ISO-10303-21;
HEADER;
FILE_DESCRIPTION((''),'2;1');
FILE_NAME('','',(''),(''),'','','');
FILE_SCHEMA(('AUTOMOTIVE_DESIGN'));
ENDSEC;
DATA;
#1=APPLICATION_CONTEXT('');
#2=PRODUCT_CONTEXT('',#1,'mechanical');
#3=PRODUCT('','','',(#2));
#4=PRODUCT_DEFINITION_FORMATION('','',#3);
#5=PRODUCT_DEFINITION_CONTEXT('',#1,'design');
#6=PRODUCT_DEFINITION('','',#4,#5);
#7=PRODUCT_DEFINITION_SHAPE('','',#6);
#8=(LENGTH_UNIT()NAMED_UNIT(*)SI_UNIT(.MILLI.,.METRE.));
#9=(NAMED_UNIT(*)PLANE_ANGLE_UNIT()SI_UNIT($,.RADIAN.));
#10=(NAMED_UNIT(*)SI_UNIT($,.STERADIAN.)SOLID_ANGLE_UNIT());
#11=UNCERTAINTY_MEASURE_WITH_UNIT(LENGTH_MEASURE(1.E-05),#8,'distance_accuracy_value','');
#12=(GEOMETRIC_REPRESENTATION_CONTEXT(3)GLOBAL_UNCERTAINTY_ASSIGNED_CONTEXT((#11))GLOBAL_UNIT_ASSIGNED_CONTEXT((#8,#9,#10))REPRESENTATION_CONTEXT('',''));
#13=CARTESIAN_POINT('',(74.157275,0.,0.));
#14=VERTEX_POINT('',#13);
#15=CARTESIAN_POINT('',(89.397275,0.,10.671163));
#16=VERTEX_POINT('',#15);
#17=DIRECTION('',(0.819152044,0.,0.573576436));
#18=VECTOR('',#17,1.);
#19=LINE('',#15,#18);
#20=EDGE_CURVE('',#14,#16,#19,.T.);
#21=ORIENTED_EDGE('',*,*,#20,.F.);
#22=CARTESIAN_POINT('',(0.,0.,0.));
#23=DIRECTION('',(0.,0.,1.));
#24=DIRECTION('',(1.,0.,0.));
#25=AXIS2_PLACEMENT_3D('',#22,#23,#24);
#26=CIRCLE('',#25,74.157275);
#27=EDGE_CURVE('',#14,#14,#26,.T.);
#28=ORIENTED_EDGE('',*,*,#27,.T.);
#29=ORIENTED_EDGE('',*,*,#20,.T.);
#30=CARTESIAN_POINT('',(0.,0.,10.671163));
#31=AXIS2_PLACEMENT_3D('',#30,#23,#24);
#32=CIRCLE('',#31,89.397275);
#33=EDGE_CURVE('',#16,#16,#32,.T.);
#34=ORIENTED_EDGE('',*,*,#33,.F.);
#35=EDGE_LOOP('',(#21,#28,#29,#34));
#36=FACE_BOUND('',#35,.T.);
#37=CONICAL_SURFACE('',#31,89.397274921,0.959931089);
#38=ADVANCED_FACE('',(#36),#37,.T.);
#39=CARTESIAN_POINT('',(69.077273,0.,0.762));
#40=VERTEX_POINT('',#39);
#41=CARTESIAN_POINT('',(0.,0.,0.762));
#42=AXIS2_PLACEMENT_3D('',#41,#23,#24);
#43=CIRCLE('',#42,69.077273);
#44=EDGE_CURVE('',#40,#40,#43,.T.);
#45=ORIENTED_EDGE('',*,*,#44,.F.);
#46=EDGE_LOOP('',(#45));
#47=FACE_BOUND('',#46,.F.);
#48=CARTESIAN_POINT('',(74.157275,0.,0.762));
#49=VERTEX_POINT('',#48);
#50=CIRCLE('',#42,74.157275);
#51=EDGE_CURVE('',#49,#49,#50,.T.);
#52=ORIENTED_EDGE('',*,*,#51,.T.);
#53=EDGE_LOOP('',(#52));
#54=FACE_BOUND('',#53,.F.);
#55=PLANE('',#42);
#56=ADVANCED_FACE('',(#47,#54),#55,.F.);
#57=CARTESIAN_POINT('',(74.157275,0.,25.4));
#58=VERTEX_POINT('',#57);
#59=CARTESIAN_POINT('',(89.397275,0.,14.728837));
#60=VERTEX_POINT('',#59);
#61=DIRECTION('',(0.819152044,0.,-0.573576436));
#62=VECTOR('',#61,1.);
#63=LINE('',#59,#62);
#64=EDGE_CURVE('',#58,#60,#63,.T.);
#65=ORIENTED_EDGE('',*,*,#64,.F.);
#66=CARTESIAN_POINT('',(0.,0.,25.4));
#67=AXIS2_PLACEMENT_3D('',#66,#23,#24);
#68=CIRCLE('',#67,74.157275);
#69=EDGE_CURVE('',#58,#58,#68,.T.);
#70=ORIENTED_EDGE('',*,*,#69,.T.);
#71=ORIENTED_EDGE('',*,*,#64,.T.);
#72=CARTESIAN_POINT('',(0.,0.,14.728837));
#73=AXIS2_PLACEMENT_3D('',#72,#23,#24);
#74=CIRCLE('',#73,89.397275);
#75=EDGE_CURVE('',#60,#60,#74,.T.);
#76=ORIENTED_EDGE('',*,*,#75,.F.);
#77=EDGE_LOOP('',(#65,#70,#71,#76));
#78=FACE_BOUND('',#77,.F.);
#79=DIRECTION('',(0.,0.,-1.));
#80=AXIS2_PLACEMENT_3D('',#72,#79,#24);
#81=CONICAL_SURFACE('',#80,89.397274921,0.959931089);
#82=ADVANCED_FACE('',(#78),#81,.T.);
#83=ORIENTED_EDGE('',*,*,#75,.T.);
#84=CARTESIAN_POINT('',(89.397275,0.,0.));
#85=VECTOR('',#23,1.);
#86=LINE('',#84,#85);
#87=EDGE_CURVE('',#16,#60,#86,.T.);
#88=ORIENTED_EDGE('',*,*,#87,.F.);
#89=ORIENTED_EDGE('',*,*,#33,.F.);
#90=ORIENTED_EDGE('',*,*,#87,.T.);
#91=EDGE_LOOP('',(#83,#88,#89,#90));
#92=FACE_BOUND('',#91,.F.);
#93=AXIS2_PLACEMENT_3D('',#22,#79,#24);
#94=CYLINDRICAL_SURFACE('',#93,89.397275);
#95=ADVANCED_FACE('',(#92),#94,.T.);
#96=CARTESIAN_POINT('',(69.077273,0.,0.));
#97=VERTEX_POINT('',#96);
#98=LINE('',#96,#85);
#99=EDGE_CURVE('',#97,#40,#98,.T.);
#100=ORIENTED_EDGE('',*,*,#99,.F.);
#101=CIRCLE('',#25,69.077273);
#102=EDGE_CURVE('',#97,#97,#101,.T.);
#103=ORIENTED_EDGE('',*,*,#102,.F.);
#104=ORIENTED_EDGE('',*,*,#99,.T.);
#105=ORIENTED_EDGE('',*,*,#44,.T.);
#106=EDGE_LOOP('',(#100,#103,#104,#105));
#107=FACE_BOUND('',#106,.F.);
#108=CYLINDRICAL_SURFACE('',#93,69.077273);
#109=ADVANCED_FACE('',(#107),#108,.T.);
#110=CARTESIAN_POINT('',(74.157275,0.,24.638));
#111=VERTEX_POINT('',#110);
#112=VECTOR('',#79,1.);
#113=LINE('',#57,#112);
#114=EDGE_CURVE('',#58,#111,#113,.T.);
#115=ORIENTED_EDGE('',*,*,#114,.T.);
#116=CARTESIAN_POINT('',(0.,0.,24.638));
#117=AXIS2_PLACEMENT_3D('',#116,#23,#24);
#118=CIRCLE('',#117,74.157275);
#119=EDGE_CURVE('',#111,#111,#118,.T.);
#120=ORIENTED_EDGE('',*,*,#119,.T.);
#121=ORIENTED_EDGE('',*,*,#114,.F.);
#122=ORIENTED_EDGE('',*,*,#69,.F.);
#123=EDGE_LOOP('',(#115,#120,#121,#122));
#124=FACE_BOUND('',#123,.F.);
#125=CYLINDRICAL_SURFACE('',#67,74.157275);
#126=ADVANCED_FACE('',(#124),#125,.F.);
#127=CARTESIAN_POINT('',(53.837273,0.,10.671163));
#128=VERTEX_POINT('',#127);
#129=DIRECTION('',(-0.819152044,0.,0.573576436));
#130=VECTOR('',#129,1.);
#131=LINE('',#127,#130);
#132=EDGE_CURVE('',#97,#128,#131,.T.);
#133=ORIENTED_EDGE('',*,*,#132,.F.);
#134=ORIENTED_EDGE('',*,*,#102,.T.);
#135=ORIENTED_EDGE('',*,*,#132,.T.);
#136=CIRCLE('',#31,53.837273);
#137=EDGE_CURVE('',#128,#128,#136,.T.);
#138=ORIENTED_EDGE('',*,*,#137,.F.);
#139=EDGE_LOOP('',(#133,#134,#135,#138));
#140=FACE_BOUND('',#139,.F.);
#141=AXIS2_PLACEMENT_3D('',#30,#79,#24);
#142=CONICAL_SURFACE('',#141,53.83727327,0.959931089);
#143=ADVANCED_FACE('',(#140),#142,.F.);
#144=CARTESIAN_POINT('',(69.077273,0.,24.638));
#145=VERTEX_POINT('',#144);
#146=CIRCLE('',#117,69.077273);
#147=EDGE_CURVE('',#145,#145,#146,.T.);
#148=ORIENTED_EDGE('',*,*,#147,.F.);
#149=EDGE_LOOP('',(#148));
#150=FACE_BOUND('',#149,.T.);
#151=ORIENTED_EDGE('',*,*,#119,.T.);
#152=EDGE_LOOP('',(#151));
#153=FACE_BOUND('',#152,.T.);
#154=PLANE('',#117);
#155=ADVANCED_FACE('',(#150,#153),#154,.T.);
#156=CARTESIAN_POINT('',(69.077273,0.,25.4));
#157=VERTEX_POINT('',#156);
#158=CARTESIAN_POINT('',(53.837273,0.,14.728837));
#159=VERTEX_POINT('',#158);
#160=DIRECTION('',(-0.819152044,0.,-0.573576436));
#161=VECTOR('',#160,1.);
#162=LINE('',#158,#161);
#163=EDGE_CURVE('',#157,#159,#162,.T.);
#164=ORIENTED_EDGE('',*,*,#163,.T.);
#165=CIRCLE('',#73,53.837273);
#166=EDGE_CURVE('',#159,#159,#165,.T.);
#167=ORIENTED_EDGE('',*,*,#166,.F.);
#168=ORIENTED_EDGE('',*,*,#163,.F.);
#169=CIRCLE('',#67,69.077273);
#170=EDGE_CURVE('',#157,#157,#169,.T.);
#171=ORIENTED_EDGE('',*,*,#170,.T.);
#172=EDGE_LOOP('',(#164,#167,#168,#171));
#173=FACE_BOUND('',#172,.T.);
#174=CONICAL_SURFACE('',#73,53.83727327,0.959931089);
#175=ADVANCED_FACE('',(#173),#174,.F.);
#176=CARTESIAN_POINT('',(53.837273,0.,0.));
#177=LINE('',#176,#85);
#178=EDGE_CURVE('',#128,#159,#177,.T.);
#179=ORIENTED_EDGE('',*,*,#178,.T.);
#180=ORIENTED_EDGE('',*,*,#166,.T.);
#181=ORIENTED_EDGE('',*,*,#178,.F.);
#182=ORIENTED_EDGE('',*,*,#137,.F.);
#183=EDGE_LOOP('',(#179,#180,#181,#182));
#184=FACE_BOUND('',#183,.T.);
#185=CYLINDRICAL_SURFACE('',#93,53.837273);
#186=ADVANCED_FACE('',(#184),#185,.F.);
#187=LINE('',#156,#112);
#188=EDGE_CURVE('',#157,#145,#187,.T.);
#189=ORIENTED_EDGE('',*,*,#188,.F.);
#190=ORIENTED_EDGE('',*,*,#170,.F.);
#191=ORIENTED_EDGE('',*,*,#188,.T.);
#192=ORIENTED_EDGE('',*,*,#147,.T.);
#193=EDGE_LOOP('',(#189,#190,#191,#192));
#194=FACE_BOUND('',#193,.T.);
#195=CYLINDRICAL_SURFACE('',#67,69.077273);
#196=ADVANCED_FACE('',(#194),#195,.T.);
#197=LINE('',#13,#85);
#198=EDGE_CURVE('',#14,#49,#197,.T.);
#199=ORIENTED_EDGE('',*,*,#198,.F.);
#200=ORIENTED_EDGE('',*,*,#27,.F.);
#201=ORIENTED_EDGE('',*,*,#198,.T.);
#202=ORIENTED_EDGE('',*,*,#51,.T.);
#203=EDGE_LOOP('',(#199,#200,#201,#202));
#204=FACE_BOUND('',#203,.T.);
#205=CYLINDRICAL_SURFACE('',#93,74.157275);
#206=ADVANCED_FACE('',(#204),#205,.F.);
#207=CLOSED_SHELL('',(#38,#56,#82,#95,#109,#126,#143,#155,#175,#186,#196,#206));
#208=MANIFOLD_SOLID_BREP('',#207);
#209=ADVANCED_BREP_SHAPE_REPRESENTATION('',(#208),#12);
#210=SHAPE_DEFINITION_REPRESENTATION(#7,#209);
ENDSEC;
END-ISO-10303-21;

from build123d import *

# Parameters (mm, degrees)
F0_R       = 89.3972749213
F0_R_2     = 53.8372732699
F1_DEPTH   = 25.4
F2_SIZE2   = 10.6711628823
F2_SIZE    = 15.24
F2_2_SIZE2 = 10.6711628823
F2_2_SIZE  = 15.24
F3_DEPTH   = 0.762
F4_DEPTH   = 0.762


with BuildPart() as f1:
    # F0 (on Top) → F1 (new body)
    with BuildSketch(Plane.XY):
        Circle(F0_R)
        Circle(F0_R_2, mode=Mode.SUBTRACT)
    extrude(amount=F1_DEPTH)

    # F2
    f2_edges = [f1.edges().sort_by_distance(p)[0] for p in [
        (-89.397275, 0, 25.4),
        (-53.837273, 0, 25.4),
    ]]
    f2_side = f1.faces().sort_by_distance((-86.868738, 0, 25.4))[0]
    chamfer(f2_edges, length=F2_SIZE, length2=F2_SIZE2, reference=f2_side)

    # F2#2
    f2_2_edges = [f1.edges().sort_by_distance(p)[0] for p in [
        (-89.397275, 0, 0),
        (-53.837273, 0, 0),
    ]]
    f2_2_side = f1.faces().sort_by_distance((-86.868738, 0, 0))[0]
    chamfer(f2_2_edges, length=F2_2_SIZE, length2=F2_2_SIZE2, reference=f2_2_side)

    # F3 (cut): faces of the model
    f3_faces = [f1.faces().sort_by_distance(p)[0] for p in [
        (-72.0597904424, 0, 25.4),
        (-72.0597904424, 0, 0),
    ]]
    extrude(f3_faces, amount=-F3_DEPTH, dir=(0, 0, 1), mode=Mode.SUBTRACT)

    # F4 (cut): a face of the model
    f4_faces = [f1.faces().sort_by_distance(p)[0] for p in [
        (-72.0597904424, 0, 0),
    ]]
    extrude(f4_faces, amount=-F4_DEPTH, mode=Mode.SUBTRACT)


solid = f1.part
